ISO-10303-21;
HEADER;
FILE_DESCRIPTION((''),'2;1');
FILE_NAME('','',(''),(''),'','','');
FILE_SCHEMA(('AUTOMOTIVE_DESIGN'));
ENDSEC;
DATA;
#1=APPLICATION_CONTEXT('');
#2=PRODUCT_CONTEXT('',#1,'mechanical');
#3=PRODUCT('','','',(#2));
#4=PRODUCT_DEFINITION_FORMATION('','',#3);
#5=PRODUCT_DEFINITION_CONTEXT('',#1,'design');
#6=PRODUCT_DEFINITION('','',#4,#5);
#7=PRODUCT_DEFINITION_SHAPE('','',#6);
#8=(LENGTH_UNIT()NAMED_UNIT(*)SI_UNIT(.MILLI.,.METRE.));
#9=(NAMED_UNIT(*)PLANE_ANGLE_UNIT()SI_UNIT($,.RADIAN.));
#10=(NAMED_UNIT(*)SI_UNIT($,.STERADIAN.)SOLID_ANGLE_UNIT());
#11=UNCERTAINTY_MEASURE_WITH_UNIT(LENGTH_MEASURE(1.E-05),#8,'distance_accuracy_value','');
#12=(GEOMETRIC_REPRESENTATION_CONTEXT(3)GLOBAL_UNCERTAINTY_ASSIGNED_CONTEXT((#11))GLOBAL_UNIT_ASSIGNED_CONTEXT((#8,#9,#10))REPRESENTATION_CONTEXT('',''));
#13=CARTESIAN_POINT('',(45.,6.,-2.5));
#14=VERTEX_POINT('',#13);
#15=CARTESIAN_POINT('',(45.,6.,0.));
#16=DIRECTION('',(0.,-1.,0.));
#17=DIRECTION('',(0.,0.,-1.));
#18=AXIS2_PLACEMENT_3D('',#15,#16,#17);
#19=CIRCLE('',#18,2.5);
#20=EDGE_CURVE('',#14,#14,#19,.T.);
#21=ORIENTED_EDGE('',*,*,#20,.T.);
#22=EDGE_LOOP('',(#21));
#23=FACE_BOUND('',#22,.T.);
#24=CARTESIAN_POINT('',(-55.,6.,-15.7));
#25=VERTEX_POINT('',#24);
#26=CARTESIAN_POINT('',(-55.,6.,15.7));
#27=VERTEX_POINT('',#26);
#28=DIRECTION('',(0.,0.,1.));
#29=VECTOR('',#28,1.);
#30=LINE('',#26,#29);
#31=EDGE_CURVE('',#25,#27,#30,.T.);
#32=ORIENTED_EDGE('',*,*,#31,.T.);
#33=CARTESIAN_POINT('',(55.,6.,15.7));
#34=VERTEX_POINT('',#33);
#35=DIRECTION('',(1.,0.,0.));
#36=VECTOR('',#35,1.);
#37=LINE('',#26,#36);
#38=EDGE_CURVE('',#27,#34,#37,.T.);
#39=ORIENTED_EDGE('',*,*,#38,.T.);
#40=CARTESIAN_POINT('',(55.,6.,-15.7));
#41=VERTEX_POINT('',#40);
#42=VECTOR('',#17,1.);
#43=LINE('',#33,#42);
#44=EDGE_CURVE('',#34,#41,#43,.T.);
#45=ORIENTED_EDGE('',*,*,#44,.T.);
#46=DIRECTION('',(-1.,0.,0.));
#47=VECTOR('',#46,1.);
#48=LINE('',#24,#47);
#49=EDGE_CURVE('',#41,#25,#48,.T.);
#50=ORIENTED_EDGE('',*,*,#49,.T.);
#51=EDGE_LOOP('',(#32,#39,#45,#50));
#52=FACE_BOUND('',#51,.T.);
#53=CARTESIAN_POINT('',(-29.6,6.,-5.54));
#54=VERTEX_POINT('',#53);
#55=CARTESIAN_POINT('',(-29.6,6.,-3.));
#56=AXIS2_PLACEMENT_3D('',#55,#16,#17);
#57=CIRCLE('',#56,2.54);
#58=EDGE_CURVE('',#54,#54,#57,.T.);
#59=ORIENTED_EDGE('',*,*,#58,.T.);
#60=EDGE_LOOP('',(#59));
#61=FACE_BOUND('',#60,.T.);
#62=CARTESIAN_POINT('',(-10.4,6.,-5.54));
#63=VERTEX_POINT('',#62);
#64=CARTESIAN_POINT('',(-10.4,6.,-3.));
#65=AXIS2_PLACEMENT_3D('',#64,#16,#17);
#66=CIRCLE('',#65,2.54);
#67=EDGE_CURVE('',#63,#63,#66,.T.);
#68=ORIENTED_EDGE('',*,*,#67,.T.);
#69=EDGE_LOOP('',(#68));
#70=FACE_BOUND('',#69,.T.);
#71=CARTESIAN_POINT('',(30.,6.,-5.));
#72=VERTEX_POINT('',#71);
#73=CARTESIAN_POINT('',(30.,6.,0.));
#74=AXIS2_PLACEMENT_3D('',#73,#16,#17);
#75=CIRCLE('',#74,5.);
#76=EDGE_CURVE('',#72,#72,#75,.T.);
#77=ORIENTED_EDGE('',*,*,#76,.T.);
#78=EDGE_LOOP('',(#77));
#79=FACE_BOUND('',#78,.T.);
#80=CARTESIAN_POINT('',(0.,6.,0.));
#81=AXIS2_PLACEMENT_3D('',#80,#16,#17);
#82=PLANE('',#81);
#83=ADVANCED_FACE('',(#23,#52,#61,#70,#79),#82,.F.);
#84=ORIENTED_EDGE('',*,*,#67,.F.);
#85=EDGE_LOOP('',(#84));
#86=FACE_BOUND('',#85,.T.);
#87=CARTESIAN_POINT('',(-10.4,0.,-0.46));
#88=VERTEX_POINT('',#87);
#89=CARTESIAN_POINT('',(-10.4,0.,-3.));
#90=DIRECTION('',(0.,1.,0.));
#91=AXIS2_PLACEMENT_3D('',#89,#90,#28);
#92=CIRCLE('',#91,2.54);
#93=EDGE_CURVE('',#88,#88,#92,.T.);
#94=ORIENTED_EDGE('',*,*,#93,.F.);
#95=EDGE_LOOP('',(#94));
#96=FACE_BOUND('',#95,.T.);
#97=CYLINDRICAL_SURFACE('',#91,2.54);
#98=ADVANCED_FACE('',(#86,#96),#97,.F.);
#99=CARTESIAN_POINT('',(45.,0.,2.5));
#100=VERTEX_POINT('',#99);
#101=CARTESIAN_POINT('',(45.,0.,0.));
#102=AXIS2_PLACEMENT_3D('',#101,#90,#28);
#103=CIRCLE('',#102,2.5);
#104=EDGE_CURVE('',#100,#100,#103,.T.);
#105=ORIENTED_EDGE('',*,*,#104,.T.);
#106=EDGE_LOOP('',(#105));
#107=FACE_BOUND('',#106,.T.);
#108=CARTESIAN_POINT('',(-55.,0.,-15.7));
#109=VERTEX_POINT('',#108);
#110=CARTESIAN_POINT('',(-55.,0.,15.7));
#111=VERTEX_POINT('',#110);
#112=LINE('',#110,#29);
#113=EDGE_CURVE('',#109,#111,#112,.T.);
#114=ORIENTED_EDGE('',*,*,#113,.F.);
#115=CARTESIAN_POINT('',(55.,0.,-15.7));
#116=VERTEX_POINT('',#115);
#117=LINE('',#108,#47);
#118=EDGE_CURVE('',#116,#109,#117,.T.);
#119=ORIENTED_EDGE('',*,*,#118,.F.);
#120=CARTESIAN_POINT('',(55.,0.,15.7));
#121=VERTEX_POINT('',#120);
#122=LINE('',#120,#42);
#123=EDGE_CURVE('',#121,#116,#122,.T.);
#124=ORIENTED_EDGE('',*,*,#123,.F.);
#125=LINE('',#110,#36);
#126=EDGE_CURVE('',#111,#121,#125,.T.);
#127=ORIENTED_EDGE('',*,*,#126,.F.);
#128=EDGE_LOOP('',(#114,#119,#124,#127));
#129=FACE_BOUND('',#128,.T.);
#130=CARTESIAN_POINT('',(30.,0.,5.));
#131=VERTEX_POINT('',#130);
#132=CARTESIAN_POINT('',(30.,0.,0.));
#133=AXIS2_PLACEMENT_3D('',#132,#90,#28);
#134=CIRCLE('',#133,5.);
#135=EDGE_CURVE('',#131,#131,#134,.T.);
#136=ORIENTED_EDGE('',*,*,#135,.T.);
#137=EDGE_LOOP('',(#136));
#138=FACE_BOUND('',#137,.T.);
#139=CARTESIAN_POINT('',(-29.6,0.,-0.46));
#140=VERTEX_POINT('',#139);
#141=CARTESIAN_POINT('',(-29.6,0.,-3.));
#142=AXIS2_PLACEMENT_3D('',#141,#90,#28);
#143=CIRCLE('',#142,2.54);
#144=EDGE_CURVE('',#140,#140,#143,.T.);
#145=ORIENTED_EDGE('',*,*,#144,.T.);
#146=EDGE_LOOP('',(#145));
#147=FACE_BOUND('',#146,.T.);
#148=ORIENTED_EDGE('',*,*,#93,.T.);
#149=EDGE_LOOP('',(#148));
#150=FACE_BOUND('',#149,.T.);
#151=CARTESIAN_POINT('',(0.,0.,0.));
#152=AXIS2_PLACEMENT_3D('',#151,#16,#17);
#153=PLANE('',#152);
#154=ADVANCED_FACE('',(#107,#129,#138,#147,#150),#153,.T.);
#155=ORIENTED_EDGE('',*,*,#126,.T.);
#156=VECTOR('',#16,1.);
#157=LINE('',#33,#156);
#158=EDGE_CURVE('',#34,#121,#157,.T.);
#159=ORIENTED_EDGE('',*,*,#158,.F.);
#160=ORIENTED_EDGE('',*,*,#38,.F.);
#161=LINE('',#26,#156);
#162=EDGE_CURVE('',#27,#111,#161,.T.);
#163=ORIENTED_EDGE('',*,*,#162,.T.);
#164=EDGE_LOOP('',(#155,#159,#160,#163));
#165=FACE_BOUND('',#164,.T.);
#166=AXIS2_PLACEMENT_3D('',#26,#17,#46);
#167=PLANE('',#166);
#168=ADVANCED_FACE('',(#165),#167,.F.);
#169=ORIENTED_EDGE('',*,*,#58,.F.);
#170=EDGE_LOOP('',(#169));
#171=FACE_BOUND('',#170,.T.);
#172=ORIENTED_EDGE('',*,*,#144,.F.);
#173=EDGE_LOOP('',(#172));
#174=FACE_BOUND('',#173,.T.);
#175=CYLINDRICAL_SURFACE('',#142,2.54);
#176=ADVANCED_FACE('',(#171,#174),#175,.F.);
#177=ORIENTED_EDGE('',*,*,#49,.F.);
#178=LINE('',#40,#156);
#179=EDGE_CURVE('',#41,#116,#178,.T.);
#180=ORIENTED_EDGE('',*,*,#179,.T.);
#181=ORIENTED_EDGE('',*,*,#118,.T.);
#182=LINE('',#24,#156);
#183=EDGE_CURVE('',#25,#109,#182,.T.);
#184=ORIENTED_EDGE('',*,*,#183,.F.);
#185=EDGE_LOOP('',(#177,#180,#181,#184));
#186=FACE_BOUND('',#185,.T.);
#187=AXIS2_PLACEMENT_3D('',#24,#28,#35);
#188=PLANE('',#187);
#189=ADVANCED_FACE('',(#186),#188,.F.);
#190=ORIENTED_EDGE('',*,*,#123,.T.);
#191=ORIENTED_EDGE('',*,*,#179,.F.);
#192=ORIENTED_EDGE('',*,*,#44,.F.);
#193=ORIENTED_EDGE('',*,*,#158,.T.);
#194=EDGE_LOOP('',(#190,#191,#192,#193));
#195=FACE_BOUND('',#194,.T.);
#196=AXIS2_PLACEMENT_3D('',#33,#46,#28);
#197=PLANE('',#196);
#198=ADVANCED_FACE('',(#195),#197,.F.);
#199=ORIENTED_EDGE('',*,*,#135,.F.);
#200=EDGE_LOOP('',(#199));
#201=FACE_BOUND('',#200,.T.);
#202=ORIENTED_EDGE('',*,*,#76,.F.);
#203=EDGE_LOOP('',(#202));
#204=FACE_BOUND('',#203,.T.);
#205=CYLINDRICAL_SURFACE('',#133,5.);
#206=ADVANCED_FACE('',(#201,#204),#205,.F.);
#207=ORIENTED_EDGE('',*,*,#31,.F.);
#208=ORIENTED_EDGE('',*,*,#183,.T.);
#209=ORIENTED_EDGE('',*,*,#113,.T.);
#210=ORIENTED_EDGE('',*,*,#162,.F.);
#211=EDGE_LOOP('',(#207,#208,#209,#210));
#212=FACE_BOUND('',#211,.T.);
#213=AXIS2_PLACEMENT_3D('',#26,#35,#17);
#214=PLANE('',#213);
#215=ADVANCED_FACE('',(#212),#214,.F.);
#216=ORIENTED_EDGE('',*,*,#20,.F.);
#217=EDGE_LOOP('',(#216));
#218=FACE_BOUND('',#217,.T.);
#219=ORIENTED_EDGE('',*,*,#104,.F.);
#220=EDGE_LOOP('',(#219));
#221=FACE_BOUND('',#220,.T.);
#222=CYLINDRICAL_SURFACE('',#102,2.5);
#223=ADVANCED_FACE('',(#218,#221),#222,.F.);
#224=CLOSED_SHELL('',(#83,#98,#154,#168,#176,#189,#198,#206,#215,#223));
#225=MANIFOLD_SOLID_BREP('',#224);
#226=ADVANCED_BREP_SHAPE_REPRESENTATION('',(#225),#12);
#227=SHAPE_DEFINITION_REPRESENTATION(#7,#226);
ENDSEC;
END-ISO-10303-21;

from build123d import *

# Parameters (mm, degrees)
SKETCH1_W               = 110
SKETCH1_H               = 31.4
BOSS_EXTRUDE1_DEPTH     = 6
SKETCH2_R               = 2.54
SKETCH2_R_2             = 5
SKETCH2_R_3             = 2.5
CUT_EXTRUDE1_DEPTH      = 1
CUT_EXTRUDE1_DEPTH_BACK = 7


with BuildPart() as part:
    # Sketch1 → Boss-Extrude1 (new body)
    with BuildSketch(Plane(origin=(0, 0, 0), x_dir=(1, 0, 0), z_dir=(0, 1, 0))):
        Rectangle(SKETCH1_W, SKETCH1_H)
    extrude(amount=BOSS_EXTRUDE1_DEPTH)

    # Sketch2 → Cut-Extrude1 (cut, two sides)
    with BuildSketch(Plane(origin=(0, 6, 0), x_dir=(1, 0, 0), z_dir=(0, 1, 0))) as cut_extrude1_sk:
        with Locations((-10.4, 3)):
            Circle(SKETCH2_R)
        with Locations((-29.6, 3)):
            Circle(SKETCH2_R)
        with Locations((30, 0)):
            Circle(SKETCH2_R_2)
        with Locations((45, 0)):
            Circle(SKETCH2_R_3)
    extrude(amount=CUT_EXTRUDE1_DEPTH, mode=Mode.SUBTRACT)
    extrude(cut_extrude1_sk.sketch, amount=-CUT_EXTRUDE1_DEPTH_BACK, mode=Mode.SUBTRACT)


solid = part.part
